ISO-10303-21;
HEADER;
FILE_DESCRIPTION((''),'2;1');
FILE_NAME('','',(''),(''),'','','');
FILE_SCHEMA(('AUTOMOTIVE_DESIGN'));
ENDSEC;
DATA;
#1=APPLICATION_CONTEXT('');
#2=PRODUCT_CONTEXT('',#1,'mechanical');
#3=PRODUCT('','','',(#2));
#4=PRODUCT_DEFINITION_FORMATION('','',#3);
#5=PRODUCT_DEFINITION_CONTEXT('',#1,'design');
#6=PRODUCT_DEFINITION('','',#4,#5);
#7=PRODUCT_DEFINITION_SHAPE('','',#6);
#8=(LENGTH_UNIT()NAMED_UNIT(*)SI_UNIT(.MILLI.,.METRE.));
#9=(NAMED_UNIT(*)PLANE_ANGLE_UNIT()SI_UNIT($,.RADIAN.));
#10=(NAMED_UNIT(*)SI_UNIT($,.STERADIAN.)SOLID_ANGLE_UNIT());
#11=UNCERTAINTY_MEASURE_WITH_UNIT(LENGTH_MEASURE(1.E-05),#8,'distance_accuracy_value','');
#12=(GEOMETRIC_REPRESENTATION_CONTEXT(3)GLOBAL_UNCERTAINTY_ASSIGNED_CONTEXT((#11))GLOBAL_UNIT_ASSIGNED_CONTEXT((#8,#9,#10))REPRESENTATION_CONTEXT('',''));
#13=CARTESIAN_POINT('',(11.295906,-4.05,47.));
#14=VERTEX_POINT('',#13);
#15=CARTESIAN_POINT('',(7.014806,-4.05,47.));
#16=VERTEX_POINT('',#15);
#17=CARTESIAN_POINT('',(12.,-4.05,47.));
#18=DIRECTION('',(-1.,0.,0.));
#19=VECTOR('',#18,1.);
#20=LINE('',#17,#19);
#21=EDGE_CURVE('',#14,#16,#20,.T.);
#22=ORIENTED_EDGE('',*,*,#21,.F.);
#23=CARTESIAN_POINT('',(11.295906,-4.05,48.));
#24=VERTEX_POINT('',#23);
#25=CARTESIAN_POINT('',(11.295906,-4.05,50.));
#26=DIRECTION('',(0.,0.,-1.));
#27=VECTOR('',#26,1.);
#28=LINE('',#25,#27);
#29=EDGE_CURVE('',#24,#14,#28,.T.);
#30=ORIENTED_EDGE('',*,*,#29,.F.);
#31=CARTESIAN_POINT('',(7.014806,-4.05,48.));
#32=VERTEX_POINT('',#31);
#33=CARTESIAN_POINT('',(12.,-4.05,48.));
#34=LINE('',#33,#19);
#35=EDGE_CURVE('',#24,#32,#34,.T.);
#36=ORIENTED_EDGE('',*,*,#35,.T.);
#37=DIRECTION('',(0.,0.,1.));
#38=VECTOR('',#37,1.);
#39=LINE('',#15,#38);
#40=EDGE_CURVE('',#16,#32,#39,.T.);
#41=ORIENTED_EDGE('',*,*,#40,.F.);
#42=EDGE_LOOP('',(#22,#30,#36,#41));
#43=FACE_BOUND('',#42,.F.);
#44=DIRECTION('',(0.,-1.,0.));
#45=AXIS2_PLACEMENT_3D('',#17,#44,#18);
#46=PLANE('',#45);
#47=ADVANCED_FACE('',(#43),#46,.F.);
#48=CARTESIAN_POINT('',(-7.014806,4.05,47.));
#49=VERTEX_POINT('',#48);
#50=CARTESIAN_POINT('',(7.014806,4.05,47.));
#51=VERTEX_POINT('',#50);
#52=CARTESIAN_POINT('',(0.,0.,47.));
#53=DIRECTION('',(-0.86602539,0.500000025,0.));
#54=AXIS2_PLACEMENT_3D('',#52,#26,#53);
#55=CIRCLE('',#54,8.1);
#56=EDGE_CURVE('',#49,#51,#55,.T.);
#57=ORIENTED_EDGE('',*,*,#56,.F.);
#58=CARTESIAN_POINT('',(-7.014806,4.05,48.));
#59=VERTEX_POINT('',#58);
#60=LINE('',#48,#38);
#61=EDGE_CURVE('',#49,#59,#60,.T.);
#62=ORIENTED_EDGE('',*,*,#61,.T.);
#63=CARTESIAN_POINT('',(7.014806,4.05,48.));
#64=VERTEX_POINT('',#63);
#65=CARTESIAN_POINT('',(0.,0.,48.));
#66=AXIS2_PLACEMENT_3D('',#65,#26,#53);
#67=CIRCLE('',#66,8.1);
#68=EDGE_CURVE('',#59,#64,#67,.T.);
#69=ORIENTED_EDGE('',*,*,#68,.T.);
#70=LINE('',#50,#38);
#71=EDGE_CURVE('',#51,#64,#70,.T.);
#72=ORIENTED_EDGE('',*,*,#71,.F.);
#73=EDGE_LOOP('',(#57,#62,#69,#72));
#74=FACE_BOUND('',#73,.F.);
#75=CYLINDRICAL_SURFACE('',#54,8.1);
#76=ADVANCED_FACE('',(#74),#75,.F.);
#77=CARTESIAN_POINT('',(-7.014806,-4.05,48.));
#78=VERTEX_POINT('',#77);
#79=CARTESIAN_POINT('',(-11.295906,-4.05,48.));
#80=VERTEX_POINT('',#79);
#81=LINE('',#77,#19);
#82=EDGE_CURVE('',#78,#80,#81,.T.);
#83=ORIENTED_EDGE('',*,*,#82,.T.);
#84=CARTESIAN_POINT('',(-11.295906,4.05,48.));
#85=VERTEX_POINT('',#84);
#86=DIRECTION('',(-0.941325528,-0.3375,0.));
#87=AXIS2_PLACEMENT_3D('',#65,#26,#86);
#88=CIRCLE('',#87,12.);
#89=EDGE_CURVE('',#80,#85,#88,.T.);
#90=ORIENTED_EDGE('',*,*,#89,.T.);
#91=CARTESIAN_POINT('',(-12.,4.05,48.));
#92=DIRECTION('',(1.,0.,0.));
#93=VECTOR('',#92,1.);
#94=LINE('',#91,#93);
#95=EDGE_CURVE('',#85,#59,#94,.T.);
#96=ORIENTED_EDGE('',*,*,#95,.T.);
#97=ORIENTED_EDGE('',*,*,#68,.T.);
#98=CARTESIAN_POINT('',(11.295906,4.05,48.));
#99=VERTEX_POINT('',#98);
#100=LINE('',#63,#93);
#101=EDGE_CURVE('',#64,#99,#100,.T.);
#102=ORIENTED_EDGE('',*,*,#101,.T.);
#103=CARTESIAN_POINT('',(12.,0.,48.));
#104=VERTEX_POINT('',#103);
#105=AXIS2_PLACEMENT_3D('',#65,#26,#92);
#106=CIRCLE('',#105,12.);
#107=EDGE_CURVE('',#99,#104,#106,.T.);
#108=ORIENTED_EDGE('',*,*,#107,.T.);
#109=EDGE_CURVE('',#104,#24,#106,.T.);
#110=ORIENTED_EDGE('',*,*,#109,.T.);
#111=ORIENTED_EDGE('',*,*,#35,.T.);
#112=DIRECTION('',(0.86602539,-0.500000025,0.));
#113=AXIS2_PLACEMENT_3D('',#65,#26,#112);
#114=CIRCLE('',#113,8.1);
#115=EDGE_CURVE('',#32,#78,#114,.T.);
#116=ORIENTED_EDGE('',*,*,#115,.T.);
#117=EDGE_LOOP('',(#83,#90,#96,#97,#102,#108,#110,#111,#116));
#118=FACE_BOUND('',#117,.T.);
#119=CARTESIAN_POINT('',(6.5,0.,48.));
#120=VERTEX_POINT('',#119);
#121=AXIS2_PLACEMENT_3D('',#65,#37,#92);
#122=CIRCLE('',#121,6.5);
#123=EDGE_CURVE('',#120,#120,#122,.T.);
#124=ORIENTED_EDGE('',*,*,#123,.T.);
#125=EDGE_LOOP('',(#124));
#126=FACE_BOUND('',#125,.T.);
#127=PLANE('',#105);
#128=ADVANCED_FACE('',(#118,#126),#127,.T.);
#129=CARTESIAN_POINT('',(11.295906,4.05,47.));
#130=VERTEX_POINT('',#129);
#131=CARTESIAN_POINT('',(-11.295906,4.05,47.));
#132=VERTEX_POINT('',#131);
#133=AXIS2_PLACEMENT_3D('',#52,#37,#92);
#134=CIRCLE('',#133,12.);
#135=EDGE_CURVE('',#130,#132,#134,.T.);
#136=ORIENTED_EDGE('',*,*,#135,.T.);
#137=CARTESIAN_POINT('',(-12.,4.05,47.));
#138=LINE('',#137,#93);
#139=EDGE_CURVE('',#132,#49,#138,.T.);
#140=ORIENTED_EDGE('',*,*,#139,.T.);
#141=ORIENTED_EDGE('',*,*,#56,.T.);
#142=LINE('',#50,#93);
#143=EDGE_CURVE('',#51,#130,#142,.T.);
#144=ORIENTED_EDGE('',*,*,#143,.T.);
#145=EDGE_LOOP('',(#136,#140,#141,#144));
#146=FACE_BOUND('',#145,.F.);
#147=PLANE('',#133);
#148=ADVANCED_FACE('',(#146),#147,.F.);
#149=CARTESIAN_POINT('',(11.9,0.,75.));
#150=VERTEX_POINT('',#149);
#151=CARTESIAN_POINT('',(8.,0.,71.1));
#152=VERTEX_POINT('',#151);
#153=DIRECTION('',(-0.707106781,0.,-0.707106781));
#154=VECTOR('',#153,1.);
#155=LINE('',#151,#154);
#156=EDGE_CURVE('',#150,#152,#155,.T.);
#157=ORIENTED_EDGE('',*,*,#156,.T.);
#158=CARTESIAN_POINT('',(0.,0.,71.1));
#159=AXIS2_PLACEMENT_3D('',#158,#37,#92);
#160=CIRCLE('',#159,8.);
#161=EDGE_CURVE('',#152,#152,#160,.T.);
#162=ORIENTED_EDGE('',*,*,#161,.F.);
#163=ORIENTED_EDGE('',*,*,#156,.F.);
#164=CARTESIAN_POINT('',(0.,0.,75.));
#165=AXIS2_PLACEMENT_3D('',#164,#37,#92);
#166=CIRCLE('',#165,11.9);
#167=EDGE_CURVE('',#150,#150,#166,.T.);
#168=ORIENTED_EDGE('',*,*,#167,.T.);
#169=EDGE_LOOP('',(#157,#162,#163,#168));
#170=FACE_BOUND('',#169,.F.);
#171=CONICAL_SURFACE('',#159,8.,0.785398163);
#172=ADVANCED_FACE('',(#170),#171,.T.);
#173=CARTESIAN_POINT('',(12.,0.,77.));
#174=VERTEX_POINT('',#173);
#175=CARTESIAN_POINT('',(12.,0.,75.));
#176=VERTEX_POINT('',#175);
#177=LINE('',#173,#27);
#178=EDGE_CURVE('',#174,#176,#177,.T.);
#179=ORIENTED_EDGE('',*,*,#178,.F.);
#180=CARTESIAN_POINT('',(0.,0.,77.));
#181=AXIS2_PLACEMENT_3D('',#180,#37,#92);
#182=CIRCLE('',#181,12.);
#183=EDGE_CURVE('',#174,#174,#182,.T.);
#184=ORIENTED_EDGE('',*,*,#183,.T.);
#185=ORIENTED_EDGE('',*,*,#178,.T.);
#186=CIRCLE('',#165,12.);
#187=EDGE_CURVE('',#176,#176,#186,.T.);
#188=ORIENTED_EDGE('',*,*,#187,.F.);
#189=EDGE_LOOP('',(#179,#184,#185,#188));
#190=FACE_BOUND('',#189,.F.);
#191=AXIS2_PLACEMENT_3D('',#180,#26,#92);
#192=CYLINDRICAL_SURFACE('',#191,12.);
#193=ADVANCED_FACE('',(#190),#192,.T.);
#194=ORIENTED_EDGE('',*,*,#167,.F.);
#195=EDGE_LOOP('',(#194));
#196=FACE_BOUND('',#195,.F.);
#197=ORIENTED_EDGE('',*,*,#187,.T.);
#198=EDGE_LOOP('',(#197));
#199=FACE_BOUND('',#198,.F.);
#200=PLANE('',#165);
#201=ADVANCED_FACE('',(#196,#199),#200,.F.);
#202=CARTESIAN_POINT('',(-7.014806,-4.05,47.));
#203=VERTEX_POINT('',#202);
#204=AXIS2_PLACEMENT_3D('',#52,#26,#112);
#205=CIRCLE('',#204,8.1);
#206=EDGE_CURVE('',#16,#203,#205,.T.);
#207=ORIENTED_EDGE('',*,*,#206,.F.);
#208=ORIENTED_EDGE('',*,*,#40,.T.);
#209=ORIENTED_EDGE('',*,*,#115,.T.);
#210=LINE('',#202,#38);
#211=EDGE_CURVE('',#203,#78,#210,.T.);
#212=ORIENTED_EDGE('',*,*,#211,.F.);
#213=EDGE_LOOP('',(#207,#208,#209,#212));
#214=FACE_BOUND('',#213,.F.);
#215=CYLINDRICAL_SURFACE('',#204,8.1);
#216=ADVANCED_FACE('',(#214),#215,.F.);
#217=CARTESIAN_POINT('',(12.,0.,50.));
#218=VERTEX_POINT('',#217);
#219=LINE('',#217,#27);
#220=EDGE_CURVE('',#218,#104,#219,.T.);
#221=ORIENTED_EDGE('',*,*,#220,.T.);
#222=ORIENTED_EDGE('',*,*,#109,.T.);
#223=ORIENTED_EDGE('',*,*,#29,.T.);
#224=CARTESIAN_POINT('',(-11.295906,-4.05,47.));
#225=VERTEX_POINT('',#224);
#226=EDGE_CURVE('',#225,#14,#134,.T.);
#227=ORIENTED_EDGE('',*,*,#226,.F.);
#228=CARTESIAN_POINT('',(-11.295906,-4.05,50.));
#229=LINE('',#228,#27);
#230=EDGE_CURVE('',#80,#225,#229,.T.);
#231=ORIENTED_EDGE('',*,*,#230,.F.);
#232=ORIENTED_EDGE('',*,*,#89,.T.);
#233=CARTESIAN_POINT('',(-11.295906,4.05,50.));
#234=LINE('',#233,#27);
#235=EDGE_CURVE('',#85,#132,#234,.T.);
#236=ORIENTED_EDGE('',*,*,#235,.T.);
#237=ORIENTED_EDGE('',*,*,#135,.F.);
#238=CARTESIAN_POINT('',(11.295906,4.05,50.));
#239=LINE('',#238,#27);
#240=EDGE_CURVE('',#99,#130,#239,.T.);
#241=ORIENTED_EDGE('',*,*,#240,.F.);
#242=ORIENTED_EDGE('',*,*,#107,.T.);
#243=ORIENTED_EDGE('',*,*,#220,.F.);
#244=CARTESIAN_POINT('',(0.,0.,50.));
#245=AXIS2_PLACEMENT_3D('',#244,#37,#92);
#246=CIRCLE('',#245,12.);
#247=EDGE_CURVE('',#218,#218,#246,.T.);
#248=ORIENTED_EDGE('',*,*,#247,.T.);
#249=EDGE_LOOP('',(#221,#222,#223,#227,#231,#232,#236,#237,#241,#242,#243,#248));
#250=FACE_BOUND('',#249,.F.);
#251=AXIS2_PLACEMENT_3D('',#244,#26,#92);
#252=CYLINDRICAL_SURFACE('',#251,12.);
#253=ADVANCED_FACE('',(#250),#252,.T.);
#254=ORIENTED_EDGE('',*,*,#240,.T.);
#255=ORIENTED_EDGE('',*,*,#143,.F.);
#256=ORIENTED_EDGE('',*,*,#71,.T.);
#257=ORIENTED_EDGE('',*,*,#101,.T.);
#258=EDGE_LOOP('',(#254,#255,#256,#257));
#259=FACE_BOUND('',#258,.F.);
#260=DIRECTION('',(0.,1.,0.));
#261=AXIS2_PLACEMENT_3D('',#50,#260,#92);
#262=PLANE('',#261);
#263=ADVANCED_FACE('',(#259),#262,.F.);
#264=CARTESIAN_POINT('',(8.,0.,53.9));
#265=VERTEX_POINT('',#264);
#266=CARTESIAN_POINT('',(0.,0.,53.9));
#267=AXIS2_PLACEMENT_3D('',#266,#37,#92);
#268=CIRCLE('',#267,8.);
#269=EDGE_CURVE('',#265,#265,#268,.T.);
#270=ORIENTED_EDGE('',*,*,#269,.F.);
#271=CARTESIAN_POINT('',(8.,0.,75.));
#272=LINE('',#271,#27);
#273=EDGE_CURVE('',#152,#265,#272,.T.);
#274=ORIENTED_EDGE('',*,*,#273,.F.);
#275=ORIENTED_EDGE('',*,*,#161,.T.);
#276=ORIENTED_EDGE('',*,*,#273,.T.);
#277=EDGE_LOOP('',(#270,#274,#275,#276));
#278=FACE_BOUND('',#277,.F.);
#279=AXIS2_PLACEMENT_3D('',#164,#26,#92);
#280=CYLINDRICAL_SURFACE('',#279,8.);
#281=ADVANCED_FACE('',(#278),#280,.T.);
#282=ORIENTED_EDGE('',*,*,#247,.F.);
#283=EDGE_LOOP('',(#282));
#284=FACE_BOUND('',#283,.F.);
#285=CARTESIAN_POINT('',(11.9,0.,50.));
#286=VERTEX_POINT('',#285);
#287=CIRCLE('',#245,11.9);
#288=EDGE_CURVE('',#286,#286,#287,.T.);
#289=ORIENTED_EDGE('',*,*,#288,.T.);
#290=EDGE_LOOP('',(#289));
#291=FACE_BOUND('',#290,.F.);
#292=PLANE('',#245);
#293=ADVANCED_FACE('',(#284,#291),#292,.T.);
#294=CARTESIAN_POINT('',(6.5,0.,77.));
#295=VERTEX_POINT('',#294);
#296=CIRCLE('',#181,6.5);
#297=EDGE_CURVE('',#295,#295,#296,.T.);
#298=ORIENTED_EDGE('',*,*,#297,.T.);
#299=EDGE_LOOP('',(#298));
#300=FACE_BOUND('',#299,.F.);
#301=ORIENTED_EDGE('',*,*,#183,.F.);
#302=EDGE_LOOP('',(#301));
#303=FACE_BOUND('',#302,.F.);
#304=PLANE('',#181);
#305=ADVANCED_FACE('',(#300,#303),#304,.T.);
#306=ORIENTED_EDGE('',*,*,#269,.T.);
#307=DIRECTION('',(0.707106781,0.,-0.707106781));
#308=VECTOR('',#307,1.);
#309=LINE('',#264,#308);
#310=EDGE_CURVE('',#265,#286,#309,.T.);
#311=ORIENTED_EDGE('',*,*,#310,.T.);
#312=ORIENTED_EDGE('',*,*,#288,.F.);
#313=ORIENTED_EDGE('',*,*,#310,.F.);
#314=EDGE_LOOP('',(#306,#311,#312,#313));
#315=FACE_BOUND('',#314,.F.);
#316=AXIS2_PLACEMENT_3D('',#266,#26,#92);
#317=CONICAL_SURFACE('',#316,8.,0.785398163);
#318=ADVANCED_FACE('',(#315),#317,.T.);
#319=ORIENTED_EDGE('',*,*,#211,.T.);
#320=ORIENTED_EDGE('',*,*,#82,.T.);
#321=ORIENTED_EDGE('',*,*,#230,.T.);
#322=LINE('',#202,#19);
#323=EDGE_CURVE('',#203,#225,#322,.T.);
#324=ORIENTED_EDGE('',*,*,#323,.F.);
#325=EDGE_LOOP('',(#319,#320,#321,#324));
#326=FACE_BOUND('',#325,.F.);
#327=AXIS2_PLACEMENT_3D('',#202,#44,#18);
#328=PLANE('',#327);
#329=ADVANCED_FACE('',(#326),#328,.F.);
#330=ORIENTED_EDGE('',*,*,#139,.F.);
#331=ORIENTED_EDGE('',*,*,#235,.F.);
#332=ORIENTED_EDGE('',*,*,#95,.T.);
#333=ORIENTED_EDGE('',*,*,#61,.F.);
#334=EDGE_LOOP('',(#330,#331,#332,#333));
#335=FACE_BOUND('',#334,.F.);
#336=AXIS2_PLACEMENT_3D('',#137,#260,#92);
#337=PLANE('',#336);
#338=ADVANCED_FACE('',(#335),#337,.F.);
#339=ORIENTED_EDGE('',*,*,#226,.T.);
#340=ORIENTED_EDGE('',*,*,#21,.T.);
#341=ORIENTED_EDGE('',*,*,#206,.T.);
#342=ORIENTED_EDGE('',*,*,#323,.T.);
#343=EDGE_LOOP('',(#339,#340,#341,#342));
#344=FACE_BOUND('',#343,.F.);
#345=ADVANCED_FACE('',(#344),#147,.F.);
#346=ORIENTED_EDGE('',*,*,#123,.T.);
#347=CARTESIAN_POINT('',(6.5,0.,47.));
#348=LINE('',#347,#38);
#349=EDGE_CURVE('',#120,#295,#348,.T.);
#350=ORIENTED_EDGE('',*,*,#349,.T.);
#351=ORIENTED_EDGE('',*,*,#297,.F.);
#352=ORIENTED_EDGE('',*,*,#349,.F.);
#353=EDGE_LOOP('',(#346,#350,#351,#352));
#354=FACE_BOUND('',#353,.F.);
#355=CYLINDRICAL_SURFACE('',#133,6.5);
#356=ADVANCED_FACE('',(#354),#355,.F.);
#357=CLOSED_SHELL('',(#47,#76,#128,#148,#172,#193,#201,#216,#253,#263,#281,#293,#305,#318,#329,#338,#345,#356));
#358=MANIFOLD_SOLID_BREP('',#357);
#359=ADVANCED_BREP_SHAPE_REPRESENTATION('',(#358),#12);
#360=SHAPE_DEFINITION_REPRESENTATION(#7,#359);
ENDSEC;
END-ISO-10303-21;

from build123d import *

# Parameters (mm, degrees)
POCKET_DEPTH = 1
CHAMFER_SIZE = 3.9


with BuildPart() as part:
    # Sketch004 (on XZ_Plane001 of Origin002) → Revolution001 (revolve)
    with BuildSketch(Plane.XZ):
        Polygon((6.5, 77), (12, 77), (12, 75), (8, 75), (8, 50), (12, 50), (12, 47), (6.5, 47), align=None)
    revolve(axis=Axis((0, 0, 0), (0, 0, 1)))

    # Sketch005 (on Face7 of Revolution001) → Pocket (cut)
    with BuildSketch(Plane(origin=(0, 0, 47), x_dir=(1, 0, 0), z_dir=(0, 0, -1))):
        with BuildLine():
            ThreePointArc((7.014806, 4.05), (0, 8.1), (-7.014806, 4.05))
            Line((-7.014806, 4.05), (-12, 4.05))
            Line((-12, 4.05), (-12, -4.05))
            Line((-12, -4.05), (-7.014806, -4.05))
            ThreePointArc((-7.014806, -4.05), (0, -8.1), (7.014806, -4.05))
            Line((7.014806, -4.05), (12, -4.05))
            Line((12, -4.05), (12, 4.05))
            Line((12, 4.05), (7.014806, 4.05))
        make_face()
    extrude(amount=-POCKET_DEPTH, mode=Mode.SUBTRACT)

    # Chamfer
    chamfer_edges = [part.edges().sort_by_distance(p)[0] for p in [
        (-8, 0, 75),
        (-8, 0, 50),
    ]]
    chamfer(chamfer_edges, length=CHAMFER_SIZE)


solid = part.part
